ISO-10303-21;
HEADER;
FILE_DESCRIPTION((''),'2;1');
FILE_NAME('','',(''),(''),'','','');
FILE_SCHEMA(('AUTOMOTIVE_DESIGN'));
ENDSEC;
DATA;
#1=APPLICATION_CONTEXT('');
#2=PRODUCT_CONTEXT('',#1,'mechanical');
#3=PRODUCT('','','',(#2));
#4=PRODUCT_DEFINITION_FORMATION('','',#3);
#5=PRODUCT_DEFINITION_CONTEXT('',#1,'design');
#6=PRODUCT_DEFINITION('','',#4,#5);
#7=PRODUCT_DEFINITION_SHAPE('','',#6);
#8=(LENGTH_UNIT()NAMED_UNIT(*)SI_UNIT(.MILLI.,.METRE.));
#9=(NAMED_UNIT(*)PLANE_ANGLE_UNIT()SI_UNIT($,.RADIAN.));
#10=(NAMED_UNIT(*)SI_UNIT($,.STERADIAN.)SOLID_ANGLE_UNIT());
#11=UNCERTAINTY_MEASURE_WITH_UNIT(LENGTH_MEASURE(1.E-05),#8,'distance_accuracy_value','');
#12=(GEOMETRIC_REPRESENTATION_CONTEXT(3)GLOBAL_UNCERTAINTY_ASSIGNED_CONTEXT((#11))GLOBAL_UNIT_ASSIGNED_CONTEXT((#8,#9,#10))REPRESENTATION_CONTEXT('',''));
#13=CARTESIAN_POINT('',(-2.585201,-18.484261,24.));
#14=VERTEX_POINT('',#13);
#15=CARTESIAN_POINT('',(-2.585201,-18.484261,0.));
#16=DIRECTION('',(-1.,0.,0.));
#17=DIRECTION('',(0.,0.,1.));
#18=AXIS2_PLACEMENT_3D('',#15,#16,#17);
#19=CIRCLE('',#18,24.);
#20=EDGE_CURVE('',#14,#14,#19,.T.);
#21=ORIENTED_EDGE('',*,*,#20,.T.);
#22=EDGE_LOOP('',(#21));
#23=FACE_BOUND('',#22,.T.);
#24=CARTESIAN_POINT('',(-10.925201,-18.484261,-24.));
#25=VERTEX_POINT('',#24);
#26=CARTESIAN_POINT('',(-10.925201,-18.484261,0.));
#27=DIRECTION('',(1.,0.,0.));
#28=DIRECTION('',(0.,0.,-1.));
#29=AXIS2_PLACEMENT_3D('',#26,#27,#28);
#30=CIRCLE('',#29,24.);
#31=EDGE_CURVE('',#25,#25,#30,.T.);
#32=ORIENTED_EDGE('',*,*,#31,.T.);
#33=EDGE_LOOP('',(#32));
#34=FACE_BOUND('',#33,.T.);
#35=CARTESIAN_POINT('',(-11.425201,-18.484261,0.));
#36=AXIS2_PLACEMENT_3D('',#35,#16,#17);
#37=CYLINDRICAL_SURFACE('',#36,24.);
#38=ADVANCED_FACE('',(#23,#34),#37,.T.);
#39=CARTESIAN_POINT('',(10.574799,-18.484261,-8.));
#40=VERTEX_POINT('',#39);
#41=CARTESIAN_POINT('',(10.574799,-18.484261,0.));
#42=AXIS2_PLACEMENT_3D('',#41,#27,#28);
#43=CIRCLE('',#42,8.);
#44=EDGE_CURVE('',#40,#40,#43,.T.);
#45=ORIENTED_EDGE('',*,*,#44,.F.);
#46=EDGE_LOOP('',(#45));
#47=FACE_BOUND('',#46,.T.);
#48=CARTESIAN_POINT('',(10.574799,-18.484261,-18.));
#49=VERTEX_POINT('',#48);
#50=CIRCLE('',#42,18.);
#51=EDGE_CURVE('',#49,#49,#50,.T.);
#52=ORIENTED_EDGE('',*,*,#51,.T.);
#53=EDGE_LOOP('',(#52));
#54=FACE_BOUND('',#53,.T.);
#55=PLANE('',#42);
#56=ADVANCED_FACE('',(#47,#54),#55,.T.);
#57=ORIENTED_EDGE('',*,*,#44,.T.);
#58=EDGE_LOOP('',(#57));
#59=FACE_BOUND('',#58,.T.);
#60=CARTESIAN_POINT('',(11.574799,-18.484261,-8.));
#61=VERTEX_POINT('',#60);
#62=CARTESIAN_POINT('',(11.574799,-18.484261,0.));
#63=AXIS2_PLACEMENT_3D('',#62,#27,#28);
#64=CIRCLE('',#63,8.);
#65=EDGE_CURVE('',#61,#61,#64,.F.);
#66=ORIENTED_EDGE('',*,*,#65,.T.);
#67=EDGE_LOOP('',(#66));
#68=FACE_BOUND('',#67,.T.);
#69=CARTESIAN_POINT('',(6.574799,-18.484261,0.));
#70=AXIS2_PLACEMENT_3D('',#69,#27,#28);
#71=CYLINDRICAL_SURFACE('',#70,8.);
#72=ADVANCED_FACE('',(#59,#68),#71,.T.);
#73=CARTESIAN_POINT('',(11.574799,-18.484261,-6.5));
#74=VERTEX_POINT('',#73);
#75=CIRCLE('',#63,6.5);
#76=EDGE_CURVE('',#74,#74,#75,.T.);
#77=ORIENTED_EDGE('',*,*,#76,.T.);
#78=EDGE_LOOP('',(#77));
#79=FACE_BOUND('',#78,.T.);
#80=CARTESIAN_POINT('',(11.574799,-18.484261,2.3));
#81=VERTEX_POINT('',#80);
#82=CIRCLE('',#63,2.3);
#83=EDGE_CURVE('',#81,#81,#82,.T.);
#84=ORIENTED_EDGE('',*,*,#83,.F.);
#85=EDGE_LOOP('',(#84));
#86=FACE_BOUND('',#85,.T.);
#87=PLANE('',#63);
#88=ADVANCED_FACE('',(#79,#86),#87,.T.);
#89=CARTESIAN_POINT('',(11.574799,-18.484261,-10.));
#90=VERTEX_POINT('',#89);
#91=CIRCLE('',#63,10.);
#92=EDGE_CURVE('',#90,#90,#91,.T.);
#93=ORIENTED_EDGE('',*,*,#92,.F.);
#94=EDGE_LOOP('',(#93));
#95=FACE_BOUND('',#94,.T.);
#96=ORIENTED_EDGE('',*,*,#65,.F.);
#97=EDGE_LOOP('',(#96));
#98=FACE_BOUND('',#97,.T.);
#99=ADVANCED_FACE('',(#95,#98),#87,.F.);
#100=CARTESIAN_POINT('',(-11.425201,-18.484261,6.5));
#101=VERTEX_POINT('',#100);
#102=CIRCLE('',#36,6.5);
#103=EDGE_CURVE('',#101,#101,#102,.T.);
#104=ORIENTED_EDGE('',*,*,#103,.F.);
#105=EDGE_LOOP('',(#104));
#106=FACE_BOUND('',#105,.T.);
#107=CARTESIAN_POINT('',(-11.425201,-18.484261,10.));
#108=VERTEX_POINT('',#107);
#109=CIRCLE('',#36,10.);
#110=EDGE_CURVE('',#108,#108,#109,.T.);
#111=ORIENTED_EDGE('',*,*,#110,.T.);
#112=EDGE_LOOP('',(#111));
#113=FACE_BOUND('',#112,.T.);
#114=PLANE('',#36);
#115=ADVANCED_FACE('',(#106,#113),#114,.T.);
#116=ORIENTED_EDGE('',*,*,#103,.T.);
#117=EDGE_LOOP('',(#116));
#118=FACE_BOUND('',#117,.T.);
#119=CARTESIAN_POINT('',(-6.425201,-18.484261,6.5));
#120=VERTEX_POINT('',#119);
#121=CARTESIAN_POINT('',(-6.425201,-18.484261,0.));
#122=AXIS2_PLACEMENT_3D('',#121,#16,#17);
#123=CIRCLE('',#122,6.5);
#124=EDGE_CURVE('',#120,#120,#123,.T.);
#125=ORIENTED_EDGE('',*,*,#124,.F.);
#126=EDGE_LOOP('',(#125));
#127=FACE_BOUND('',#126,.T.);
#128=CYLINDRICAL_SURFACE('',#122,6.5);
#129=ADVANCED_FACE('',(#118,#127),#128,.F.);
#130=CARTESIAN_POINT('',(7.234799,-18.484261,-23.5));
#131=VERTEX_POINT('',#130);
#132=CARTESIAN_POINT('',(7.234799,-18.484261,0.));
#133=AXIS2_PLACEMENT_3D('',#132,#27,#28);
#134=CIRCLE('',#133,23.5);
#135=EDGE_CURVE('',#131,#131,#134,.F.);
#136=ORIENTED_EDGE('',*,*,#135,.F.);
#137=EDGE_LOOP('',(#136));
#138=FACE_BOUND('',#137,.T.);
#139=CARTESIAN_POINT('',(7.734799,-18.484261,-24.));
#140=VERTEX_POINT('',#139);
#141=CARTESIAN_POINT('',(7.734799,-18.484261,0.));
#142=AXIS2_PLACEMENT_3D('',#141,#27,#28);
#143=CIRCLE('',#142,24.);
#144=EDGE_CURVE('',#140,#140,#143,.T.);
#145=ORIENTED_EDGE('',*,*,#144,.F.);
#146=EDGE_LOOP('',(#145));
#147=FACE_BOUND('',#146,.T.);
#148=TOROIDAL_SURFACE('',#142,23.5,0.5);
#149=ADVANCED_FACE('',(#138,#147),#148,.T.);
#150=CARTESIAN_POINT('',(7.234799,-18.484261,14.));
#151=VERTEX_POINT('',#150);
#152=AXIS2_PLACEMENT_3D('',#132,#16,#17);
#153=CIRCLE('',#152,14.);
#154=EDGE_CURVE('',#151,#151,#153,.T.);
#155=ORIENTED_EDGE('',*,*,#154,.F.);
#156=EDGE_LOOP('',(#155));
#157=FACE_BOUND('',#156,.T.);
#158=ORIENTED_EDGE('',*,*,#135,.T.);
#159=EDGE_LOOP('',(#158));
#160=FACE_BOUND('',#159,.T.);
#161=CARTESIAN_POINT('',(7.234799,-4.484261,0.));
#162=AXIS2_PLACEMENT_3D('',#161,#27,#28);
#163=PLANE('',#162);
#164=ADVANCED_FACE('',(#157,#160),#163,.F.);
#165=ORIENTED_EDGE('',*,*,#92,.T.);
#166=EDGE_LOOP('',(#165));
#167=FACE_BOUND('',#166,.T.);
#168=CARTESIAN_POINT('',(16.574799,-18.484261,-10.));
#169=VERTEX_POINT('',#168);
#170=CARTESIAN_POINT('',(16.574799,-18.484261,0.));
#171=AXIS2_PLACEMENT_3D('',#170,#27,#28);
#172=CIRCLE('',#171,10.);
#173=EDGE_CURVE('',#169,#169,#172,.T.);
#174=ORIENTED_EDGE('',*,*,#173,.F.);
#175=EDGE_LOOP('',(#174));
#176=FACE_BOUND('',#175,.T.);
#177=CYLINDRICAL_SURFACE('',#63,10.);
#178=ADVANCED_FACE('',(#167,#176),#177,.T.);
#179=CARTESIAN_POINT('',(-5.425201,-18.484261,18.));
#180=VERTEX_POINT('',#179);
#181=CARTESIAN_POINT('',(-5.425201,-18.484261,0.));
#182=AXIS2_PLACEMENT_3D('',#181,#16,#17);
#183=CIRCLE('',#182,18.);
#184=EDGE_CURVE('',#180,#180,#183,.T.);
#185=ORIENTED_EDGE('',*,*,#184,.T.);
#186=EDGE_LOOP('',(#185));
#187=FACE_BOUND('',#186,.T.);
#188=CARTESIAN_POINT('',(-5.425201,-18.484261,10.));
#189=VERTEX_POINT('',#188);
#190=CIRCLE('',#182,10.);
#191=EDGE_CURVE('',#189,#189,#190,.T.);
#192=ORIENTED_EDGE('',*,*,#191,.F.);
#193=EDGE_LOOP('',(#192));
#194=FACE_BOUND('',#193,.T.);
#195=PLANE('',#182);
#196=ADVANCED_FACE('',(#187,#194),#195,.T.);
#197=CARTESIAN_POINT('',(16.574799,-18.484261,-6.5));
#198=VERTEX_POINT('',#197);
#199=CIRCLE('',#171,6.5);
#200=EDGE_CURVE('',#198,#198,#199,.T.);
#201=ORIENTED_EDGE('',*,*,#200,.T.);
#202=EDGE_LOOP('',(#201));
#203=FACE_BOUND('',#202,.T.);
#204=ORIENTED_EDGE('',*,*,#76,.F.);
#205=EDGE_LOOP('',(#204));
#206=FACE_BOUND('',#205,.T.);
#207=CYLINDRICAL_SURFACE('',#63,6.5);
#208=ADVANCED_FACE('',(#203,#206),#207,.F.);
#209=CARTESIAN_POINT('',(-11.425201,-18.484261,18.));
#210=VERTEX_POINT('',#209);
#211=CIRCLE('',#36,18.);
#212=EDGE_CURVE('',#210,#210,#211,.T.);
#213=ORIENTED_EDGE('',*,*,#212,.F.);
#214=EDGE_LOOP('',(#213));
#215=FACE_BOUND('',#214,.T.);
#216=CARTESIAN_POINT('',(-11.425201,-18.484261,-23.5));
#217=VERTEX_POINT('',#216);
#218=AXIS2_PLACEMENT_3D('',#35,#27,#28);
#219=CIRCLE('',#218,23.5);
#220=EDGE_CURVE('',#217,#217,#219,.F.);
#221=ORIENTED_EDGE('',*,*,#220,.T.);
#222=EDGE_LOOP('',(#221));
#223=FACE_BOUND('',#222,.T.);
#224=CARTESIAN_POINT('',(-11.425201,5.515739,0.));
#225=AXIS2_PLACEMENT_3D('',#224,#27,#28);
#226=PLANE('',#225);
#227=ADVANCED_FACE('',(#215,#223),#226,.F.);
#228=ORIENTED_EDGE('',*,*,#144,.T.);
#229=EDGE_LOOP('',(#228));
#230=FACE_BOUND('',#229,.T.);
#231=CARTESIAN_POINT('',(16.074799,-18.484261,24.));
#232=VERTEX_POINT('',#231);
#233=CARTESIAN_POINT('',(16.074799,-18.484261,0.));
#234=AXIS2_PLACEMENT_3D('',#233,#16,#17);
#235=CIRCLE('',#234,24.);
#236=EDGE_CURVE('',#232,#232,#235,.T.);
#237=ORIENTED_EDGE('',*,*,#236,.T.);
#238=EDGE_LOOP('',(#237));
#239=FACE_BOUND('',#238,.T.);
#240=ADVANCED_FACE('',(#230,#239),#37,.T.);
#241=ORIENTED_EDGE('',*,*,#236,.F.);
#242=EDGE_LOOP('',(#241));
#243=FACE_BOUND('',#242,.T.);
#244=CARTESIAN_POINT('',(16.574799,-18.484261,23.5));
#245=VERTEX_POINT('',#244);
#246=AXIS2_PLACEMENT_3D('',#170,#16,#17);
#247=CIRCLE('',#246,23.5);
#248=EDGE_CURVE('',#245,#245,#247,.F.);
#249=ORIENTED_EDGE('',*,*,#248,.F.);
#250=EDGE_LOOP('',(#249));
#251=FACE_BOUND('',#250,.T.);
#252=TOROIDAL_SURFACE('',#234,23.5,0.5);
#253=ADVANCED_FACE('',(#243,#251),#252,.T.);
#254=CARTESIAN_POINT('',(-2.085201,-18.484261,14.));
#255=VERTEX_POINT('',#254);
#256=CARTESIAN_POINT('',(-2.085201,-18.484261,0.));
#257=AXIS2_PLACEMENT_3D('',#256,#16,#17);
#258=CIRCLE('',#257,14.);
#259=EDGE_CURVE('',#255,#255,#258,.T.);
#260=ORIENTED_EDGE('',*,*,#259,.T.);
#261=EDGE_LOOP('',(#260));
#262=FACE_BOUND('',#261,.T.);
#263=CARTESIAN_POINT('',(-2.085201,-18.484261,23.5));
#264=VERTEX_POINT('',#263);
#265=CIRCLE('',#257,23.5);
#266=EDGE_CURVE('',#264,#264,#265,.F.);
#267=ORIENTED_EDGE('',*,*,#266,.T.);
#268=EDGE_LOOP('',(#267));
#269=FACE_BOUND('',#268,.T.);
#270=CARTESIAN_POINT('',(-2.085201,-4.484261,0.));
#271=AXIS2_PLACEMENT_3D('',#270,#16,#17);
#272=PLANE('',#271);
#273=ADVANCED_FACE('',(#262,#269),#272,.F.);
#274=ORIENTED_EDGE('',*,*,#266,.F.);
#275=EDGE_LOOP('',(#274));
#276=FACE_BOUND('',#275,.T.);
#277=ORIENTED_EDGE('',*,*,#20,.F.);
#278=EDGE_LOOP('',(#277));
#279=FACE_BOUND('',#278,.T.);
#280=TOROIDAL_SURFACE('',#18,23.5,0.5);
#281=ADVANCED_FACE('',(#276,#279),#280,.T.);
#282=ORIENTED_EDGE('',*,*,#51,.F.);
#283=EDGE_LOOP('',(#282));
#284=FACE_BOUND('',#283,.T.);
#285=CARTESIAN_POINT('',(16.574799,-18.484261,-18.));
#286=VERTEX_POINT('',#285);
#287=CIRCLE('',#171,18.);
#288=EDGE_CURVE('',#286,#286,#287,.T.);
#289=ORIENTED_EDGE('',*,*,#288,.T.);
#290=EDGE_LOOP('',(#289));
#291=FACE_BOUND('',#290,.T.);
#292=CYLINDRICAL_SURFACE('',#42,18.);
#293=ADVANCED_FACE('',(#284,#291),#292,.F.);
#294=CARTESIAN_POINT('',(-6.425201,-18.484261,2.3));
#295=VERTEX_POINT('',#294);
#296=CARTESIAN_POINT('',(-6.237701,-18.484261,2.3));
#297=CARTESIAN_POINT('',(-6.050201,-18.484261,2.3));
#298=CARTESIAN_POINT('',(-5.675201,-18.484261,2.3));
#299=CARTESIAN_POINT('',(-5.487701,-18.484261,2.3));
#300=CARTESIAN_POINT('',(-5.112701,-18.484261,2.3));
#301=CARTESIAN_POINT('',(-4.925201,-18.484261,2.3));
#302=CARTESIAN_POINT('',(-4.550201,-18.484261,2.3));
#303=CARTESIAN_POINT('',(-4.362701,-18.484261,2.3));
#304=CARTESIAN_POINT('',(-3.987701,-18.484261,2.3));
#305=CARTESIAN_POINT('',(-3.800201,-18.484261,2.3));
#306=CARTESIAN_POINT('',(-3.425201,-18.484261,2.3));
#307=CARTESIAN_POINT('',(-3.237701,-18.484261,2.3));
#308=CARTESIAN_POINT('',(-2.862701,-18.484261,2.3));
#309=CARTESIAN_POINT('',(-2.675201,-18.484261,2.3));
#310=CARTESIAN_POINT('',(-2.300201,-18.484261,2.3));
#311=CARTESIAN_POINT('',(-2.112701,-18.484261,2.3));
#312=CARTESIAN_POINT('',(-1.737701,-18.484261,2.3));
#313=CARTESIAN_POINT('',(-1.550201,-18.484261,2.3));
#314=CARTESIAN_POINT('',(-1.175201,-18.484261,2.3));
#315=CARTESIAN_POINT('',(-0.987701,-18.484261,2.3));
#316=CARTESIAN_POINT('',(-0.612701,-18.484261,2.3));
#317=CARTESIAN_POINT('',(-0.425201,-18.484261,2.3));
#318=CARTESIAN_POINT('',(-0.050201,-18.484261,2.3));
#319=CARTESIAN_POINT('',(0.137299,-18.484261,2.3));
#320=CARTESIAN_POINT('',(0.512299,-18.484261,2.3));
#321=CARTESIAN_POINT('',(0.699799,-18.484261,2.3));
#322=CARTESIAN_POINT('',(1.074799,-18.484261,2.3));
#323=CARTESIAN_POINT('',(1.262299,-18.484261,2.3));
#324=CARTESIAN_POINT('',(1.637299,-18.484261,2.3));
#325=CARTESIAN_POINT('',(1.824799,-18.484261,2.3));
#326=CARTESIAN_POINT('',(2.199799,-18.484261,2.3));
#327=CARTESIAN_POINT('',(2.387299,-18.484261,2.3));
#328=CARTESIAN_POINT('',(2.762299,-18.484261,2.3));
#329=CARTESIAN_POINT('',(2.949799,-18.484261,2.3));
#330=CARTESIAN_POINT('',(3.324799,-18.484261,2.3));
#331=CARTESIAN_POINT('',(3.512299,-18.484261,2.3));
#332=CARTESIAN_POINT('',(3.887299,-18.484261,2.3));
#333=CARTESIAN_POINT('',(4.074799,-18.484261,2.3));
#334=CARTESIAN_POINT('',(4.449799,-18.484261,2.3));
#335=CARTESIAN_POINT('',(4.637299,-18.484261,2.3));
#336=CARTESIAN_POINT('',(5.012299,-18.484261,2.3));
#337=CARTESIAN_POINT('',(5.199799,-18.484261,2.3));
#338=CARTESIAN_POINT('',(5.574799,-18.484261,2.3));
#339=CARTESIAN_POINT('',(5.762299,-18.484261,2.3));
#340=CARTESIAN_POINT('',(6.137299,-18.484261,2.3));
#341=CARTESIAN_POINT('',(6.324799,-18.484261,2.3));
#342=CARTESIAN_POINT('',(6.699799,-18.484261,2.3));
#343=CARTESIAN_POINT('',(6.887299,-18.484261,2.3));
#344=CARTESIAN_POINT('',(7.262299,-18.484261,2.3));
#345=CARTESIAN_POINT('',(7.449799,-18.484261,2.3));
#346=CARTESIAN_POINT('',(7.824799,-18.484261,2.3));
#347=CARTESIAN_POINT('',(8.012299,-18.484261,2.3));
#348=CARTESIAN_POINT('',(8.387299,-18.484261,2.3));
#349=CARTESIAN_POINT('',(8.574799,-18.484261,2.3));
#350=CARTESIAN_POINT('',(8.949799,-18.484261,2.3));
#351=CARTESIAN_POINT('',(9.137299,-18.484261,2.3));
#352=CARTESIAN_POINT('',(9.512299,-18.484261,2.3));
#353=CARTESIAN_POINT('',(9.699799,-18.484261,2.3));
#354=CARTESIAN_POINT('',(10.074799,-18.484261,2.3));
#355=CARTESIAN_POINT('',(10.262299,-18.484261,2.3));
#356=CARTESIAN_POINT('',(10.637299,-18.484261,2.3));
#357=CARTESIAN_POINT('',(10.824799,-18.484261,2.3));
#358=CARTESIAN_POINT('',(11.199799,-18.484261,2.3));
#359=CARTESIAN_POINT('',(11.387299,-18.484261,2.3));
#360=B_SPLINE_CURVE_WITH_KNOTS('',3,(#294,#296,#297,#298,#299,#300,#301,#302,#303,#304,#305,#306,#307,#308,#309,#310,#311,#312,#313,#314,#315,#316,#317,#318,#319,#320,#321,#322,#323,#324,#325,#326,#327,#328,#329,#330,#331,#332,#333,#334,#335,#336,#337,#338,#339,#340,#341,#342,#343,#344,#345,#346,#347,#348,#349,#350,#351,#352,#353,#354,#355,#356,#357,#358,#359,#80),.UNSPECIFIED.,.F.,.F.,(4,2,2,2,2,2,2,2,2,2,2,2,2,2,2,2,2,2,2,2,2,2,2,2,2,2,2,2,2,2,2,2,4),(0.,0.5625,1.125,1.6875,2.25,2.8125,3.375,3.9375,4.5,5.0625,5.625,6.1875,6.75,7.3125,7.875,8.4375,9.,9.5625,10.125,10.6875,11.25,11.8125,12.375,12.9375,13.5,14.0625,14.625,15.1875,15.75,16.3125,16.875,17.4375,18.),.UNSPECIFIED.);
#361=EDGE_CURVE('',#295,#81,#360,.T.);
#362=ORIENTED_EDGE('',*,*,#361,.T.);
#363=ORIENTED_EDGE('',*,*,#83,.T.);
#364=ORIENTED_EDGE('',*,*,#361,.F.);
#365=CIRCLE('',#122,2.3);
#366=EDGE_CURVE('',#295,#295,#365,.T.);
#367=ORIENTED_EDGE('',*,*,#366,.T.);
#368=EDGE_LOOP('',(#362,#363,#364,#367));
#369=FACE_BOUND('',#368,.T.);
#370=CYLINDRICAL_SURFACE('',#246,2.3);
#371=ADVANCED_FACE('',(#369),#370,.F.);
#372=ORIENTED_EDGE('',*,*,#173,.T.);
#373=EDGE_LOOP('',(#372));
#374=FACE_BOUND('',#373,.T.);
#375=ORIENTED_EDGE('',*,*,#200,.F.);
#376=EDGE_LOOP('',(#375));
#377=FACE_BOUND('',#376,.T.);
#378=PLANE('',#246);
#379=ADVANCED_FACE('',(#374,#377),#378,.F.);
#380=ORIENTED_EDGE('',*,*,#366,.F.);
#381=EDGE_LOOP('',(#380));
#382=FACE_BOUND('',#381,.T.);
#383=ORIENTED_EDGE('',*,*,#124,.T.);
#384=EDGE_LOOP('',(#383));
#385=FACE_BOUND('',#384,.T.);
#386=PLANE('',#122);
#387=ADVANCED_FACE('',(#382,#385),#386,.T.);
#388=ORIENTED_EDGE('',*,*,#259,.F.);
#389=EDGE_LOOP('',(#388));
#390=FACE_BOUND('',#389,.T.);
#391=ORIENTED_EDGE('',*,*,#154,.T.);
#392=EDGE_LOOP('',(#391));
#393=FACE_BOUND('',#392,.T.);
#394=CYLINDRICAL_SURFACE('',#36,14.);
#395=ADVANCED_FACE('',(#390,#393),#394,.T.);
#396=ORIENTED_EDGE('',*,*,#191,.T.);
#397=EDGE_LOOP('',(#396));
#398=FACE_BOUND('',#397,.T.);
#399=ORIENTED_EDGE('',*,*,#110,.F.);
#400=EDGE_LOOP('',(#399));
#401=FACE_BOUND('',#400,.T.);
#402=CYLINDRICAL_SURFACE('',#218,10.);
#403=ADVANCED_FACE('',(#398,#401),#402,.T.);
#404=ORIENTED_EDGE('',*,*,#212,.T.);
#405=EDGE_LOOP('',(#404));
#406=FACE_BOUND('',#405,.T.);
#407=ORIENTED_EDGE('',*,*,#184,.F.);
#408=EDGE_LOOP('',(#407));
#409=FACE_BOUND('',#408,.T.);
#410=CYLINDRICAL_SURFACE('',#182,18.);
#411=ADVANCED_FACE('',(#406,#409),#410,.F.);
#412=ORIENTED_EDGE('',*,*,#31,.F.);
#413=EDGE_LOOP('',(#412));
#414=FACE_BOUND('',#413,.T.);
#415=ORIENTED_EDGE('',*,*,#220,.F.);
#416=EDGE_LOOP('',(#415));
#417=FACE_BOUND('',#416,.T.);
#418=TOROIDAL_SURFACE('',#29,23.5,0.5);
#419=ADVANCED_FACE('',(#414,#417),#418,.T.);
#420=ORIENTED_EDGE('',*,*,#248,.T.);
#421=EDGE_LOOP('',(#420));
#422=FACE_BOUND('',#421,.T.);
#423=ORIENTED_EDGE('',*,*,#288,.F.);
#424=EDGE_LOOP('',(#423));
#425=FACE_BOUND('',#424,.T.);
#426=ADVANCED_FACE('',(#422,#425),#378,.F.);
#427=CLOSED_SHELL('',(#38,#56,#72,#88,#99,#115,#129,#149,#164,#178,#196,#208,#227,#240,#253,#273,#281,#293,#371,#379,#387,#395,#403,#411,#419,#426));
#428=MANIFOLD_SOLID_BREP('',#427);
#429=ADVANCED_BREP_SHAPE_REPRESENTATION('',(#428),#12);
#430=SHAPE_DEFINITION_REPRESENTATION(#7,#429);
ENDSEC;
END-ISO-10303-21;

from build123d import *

# Parameters (mm, degrees)
SKETCH3_R           = 2
CUT_EXTRUDE1_DEPTH  = 57.257554101
FILLET2_R           = 0.5
SKETCH4_R           = 18
SKETCH4_R_2         = 6
CUT_EXTRUDE2_DEPTH  = 6
CUT_EXTRUDE3_START  = -6
SKETCH5_R           = 18
CUT_EXTRUDE3_DEPTH  = 6
SKETCH6_R           = 10
BOSS_EXTRUDE1_DEPTH = 6
SKETCH8_R           = 8
BOSS_EXTRUDE2_DEPTH = 10
SKETCH10_R          = 6.5
CUT_EXTRUDE5_DEPTH  = 5
SKETCH11_R          = 10
BOSS_EXTRUDE3_DEPTH = 5
CUT_EXTRUDE6_START  = -5
SKETCH12_R          = 6.5
CUT_EXTRUDE6_DEPTH  = 5
SKETCH7_R           = 2.3
CUT_EXTRUDE8_DEPTH  = 57.257554219


with BuildPart() as part:
    # Sketch2 → Revolve1 (revolve)
    with BuildSketch(Plane.XY, mode=Mode.PRIVATE) as revolve1_sk:
        Polygon((-2.085200875, -4.484260538), (7.234799125, -4.484260538), (7.234799125, 5.515739462), (16.574799125, 5.515739462), (16.574799125, -18.484260538), (-11.425200875, -18.484260538), (-11.425200875, 5.515739462), (-2.085200875, 5.515739462), align=None)
    revolve(revolve1_sk.sketch.rotate(Axis((-11.425200875, -18.484260538, 0), (1, 0, 0)), 90), axis=Axis((-11.425200875, -18.484260538, 0), (1, 0, 0)))

    # Sketch3 → Cut-Extrude1 (cut, through all)
    with BuildSketch(Plane(origin=(16.574799125, 0, 0), x_dir=(0, 0, -1), z_dir=(1, 0, 0))):
        with Locations((0, -18.484260538)):
            Circle(SKETCH3_R)
    extrude(amount=-CUT_EXTRUDE1_DEPTH, mode=Mode.SUBTRACT)

    # Fillet2
    fillet2_edges = [part.edges().sort_by_distance(p)[0] for p in [
        (-2.085200875, -18.484260538, -24),
        (7.234799125, -18.484260538, -24),
        (16.574799125, -18.484260538, -24),
        (-11.425200875, -18.484260538, -24),
    ]]
    fillet(fillet2_edges, radius=FILLET2_R)

    # Sketch4 → Cut-Extrude2 (cut)
    with BuildSketch(Plane(origin=(16.574799125, 0, 0), x_dir=(0, 0, -1), z_dir=(1, 0, 0))):
        with Locations((0, -18.484260538)):
            Circle(SKETCH4_R)
        with Locations((0, -18.484260538)):
            Circle(SKETCH4_R_2, mode=Mode.SUBTRACT)
    extrude(amount=-CUT_EXTRUDE2_DEPTH, mode=Mode.SUBTRACT)

    # Sketch5 → Cut-Extrude3 (cut)
    with BuildSketch(Plane.ZY.offset(11.425200875).offset(CUT_EXTRUDE3_START)):
        with Locations(Location((0, -18.484260538, 0), (0, 0, 180))):
            Circle(SKETCH5_R)
    extrude(amount=CUT_EXTRUDE3_DEPTH, mode=Mode.SUBTRACT)

    # Sketch6 → Boss-Extrude1 (add, through all)
    with BuildSketch(Plane.ZY.offset(5.425200875)):
        with Locations((0, -18.484260538)):
            Circle(SKETCH6_R)
    extrude(amount=BOSS_EXTRUDE1_DEPTH)

    # Sketch8 → Boss-Extrude2 (add)
    with BuildSketch(Plane(origin=(16.574799125, 0, 0), x_dir=(0, 0, -1), z_dir=(1, 0, 0))):
        with Locations((0, -18.484260538)):
            Circle(SKETCH8_R)
    extrude(amount=-BOSS_EXTRUDE2_DEPTH)

    # Sketch10 → Cut-Extrude5 (cut)
    with BuildSketch(Plane.ZY.offset(11.425200875)):
        with Locations((0, -18.484260538)):
            Circle(SKETCH10_R)
    extrude(amount=-CUT_EXTRUDE5_DEPTH, mode=Mode.SUBTRACT)

    # Sketch11 → Boss-Extrude3 (add)
    with BuildSketch(Plane(origin=(16.574799125, 0, 0), x_dir=(0, 0, -1), z_dir=(1, 0, 0))):
        with Locations(Location((0, -18.484260538, 0), (0, 0, 180))):
            Circle(SKETCH11_R)
    extrude(amount=-BOSS_EXTRUDE3_DEPTH)

    # Sketch12 → Cut-Extrude6 (cut)
    with BuildSketch(Plane(origin=(16.574799125, 0, 0), x_dir=(0, 0, -1), z_dir=(1, 0, 0)).offset(CUT_EXTRUDE6_START)):
        with Locations(Location((0, -18.484260538, 0), (0, 0, 180))):
            Circle(SKETCH12_R)
    extrude(amount=CUT_EXTRUDE6_DEPTH, mode=Mode.SUBTRACT)

    # Sketch7 → Cut-Extrude8 (cut, through all)
    with BuildSketch(Plane.ZY.offset(11.425200875)):
        with Locations((0, -18.484260538)):
            Circle(SKETCH7_R)
    extrude(amount=-CUT_EXTRUDE8_DEPTH, mode=Mode.SUBTRACT)


solid = part.part
